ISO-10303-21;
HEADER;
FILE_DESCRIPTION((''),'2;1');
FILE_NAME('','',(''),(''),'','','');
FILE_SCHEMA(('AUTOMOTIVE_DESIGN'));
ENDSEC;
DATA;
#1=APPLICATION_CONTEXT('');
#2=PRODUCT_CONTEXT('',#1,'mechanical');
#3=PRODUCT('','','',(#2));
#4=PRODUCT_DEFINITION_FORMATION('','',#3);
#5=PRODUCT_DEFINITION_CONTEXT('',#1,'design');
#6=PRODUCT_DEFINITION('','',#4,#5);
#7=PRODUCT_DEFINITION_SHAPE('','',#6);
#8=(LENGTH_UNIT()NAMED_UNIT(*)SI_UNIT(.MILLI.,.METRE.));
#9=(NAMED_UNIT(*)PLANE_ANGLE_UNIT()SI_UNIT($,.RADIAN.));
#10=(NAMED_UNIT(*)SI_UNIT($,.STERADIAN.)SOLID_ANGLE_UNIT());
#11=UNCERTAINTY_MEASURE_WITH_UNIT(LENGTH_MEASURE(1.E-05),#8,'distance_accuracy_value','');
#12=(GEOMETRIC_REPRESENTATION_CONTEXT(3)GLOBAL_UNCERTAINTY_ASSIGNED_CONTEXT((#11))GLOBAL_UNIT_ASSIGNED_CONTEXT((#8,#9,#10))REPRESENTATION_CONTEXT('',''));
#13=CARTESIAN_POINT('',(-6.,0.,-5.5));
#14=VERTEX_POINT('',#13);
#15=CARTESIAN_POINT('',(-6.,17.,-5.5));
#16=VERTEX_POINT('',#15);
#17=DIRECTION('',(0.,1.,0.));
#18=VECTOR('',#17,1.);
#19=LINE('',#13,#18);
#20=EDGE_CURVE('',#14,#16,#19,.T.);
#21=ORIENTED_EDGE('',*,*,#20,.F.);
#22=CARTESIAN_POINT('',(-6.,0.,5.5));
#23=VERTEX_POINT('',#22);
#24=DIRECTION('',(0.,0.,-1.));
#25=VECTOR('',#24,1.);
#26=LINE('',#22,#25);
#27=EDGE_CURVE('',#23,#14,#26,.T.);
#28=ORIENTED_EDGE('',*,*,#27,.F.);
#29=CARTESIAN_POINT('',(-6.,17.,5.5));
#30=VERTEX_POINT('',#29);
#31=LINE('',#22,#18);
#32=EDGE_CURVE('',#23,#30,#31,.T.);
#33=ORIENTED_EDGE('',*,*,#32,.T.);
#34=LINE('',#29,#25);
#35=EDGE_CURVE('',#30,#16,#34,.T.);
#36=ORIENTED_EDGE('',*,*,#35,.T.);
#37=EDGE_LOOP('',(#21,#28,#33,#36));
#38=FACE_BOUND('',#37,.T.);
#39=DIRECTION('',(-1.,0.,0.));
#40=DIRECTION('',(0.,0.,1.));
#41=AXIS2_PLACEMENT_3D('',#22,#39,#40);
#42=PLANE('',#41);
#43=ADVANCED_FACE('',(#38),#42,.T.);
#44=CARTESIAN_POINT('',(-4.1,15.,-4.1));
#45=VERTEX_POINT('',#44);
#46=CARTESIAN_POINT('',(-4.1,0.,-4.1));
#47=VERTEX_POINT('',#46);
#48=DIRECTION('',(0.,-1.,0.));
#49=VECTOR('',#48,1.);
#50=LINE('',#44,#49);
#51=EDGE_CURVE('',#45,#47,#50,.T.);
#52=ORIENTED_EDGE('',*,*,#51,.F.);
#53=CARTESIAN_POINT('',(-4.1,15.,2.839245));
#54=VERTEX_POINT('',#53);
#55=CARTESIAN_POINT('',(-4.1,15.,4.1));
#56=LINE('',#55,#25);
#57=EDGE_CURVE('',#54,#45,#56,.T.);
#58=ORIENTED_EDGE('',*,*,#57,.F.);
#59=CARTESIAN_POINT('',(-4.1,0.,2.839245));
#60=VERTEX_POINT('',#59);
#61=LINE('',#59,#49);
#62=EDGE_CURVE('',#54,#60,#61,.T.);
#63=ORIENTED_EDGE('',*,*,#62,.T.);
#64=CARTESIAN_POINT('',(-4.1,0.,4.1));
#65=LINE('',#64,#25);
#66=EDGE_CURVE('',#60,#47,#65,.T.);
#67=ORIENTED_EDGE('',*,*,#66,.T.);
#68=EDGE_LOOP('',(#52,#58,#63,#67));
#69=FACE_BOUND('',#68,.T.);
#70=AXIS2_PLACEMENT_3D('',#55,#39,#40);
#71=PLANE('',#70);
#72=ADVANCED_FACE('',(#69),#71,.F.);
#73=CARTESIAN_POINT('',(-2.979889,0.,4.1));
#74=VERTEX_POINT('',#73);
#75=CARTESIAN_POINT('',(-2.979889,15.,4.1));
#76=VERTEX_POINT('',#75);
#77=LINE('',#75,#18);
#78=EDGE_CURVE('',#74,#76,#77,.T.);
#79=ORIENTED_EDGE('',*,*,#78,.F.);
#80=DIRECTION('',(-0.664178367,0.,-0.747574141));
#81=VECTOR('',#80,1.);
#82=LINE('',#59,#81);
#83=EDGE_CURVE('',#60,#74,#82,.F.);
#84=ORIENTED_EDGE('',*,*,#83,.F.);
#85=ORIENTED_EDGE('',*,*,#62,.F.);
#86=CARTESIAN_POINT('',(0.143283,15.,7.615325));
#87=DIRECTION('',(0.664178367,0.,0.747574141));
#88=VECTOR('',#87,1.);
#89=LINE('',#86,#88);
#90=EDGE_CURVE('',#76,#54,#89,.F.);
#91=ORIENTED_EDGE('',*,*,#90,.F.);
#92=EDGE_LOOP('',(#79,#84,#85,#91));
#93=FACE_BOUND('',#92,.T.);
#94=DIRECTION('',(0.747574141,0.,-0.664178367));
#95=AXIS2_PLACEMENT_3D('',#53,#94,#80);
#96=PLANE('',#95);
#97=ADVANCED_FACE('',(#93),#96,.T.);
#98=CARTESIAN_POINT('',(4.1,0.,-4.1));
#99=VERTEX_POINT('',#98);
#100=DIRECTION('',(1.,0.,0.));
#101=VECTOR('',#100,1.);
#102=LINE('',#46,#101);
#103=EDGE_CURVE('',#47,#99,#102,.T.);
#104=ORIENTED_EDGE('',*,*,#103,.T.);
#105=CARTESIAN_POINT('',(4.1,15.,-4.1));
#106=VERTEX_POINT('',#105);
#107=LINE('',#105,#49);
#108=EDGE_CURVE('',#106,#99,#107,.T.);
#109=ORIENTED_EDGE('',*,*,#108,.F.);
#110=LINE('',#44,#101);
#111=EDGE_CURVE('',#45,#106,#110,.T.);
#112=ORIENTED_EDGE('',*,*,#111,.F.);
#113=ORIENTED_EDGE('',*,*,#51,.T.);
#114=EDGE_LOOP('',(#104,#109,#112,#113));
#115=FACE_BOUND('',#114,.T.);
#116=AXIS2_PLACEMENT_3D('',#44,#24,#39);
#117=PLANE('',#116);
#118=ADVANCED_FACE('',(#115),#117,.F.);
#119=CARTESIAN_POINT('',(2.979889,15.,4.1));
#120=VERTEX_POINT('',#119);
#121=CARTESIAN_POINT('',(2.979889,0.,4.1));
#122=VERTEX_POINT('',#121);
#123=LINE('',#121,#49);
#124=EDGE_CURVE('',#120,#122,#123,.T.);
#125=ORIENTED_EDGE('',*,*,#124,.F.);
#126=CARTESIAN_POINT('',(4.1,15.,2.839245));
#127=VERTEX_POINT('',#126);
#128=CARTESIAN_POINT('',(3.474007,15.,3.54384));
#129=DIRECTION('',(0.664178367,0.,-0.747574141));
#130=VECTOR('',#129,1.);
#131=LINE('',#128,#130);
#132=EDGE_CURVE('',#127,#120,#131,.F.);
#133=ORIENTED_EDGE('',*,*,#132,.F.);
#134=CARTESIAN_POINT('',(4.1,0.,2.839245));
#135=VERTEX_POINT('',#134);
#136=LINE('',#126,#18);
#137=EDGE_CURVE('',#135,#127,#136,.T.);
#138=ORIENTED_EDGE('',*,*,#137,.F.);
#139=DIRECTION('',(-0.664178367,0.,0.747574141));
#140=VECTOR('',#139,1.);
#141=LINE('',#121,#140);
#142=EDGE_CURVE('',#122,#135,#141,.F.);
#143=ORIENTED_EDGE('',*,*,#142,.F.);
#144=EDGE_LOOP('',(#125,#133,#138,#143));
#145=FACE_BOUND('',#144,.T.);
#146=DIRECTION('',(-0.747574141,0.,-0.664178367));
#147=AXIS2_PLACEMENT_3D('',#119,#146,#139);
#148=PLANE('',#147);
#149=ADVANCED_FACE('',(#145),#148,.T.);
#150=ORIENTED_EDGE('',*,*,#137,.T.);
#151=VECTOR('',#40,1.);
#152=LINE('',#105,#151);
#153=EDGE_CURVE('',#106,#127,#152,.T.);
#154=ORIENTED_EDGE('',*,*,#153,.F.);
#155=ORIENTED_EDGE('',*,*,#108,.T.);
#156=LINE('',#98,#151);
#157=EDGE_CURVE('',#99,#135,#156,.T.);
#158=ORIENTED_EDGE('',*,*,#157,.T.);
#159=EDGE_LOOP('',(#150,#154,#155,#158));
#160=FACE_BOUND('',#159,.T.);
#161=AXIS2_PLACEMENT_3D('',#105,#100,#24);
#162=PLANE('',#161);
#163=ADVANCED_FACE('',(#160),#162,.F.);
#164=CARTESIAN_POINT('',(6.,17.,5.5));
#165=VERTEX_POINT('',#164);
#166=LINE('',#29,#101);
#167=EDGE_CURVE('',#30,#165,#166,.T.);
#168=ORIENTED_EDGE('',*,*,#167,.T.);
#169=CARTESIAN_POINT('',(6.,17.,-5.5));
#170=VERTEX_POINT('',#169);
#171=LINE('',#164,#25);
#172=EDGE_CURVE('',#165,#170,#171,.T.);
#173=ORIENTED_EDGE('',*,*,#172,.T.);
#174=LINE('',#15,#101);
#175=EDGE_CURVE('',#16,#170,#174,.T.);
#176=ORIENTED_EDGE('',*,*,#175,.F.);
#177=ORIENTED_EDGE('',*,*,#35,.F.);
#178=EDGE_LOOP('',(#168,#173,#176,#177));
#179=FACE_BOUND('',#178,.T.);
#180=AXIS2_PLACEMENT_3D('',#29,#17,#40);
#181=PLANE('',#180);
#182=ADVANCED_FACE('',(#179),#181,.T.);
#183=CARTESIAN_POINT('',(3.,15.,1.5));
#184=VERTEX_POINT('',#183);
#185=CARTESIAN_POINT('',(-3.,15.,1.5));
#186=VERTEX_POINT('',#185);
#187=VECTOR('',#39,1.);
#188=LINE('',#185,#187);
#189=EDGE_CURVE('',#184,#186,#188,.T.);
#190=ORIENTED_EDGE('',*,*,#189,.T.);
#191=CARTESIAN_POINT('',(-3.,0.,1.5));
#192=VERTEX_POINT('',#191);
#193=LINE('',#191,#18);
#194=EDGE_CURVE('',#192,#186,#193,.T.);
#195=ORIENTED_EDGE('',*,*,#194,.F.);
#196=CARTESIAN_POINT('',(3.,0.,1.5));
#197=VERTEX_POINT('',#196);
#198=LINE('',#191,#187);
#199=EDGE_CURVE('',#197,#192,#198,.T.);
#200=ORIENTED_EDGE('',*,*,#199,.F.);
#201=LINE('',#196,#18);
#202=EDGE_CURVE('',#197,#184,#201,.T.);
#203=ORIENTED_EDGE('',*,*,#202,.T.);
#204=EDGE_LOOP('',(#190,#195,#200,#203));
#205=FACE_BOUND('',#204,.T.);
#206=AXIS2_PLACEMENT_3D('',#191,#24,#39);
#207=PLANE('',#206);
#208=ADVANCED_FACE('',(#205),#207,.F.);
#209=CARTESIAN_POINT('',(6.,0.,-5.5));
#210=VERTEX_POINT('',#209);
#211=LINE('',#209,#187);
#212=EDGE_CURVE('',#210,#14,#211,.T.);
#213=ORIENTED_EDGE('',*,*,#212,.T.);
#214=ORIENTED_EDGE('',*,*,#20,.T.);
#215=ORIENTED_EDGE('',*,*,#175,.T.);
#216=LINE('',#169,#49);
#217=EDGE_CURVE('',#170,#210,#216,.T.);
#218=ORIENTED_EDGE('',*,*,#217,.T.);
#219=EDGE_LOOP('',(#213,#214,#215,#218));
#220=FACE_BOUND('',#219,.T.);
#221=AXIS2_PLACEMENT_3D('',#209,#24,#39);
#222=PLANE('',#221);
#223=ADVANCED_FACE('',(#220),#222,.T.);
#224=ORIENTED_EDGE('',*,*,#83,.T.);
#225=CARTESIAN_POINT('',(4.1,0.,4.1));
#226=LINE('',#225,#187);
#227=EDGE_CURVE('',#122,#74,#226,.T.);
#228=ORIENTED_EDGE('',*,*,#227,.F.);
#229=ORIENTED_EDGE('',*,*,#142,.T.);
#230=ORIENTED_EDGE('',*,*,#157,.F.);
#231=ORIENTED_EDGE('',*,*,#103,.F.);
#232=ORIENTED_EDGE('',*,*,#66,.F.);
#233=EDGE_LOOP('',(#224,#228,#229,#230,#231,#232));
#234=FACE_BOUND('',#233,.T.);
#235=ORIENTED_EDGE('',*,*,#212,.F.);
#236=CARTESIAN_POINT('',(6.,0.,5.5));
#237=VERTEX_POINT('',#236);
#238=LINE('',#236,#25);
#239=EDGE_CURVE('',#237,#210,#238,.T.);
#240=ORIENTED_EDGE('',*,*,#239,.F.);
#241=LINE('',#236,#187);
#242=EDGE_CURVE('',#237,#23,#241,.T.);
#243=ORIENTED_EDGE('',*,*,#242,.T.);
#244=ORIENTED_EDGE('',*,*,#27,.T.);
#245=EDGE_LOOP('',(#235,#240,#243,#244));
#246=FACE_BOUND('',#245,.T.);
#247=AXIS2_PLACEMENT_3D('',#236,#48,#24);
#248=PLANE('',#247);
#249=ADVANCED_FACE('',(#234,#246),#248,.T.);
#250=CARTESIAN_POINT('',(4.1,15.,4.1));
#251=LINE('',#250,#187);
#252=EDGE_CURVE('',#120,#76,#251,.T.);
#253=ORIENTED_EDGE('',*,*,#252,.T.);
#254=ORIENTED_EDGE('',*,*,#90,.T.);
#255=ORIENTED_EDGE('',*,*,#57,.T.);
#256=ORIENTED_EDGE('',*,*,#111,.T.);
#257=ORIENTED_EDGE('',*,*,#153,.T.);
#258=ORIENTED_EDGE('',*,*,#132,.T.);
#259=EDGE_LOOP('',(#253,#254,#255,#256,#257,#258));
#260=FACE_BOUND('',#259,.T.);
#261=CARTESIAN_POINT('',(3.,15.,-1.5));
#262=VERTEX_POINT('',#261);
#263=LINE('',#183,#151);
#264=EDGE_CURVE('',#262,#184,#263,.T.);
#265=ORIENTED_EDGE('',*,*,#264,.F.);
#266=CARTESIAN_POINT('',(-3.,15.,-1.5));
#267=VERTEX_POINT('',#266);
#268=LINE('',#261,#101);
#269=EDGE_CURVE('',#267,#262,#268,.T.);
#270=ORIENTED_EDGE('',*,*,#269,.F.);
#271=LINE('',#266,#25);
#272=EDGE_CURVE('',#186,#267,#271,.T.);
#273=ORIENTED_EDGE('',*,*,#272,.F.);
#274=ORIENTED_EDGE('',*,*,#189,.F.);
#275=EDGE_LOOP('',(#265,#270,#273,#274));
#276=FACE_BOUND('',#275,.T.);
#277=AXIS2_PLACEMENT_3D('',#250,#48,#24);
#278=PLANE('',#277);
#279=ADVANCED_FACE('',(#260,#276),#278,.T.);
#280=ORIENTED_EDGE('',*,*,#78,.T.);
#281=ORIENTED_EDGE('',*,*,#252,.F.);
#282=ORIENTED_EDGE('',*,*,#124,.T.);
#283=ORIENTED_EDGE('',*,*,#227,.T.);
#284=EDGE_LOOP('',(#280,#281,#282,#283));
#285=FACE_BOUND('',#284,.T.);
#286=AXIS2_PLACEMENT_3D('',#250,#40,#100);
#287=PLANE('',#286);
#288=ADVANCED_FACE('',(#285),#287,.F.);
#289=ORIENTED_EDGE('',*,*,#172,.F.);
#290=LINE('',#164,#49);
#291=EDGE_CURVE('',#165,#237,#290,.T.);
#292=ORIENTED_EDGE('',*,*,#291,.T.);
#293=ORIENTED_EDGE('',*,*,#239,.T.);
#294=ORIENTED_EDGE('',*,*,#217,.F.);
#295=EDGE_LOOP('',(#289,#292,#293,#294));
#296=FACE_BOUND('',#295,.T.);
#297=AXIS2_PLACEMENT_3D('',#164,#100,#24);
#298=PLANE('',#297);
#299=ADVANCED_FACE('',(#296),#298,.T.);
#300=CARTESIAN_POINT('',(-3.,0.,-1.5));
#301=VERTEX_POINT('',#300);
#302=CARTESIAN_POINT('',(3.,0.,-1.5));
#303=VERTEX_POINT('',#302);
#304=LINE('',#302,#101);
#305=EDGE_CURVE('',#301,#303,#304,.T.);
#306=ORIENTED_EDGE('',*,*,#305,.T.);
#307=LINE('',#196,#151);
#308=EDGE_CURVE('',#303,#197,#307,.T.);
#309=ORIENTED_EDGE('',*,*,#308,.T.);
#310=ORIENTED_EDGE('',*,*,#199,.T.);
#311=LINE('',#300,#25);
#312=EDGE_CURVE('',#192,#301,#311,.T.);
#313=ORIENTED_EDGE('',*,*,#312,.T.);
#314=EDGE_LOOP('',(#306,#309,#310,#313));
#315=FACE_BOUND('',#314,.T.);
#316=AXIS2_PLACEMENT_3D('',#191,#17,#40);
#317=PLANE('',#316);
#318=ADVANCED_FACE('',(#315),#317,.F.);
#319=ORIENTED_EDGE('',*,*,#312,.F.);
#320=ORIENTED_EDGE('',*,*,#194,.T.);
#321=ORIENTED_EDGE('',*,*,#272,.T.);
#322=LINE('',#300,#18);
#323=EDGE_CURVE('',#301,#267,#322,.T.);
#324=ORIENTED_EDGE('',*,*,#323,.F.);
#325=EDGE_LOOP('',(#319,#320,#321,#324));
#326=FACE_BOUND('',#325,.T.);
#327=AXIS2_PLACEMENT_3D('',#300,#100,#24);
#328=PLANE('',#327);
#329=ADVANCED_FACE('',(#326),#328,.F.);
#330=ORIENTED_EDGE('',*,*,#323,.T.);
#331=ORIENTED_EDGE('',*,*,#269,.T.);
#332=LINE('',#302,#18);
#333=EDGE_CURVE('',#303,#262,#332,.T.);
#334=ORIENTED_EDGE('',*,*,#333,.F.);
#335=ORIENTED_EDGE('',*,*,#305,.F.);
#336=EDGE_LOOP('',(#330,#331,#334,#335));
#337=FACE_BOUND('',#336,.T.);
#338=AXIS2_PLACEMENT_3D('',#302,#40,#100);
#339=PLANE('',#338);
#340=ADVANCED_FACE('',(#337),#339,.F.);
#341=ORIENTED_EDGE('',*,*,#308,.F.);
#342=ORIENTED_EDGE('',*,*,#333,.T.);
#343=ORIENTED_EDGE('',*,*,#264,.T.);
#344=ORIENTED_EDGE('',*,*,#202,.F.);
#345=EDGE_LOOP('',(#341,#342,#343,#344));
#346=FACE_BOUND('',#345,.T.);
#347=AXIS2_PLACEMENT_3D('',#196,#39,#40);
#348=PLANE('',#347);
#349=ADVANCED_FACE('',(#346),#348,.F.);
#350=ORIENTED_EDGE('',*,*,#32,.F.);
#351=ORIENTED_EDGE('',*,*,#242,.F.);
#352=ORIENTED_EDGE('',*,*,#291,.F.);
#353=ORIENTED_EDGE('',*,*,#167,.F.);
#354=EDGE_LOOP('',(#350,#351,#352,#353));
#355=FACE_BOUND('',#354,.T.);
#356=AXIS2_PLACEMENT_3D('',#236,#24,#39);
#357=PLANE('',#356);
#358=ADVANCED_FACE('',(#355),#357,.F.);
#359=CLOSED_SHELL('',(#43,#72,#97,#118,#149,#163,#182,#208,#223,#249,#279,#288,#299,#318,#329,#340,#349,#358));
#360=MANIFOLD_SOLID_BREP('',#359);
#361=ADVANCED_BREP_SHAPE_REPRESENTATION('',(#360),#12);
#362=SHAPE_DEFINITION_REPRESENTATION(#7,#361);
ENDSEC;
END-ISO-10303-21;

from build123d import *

# Parameters (mm, degrees)
SKETCH1_W           = 12
SKETCH1_H           = 17
BOSS_EXTRUDE1_DEPTH = 11
SKETCH2_W           = 8.2
SKETCH2_H           = 8.2
CUT_EXTRUDE1_DEPTH  = 15
SKETCH3_W           = 6
SKETCH3_H           = 3
BOSS_EXTRUDE2_DEPTH = 15
CHAMFER1_SIZE       = 1.120110988
CHAMFER1_SIZE2      = 1.260754717
CHAMFER2_SIZE       = 1.260754717
CHAMFER2_SIZE2      = 1.120110988


with BuildPart() as part:
    # Sketch1 → Boss-Extrude1 (new body)
    with BuildSketch(Plane(origin=(0, 0, -5.5), x_dir=(-1, 0, 0), z_dir=(0, 0, -1))):
        with Locations((0, 8.5)):
            Rectangle(SKETCH1_W, SKETCH1_H)
    extrude(amount=-BOSS_EXTRUDE1_DEPTH)

    # Sketch2 → Cut-Extrude1 (cut)
    with BuildSketch(Plane.XZ):
        Rectangle(SKETCH2_W, SKETCH2_H)
    extrude(amount=-CUT_EXTRUDE1_DEPTH, mode=Mode.SUBTRACT)

    # Sketch3 → Boss-Extrude2 (add)
    with BuildSketch(Plane.XZ.offset(-15)):
        Rectangle(SKETCH3_W, SKETCH3_H)
    extrude(amount=BOSS_EXTRUDE2_DEPTH)

    # Chamfer1
    chamfer1_edges = [part.edges().sort_by_distance(p)[0] for p in [
        (4.1, 7.5, 4.1),
    ]]
    chamfer1_side = [part.faces().sort_by_distance(p)[0] for p in [
        (0, 7.5, 4.1),
    ]]
    chamfer(chamfer1_edges, length=CHAMFER1_SIZE, length2=CHAMFER1_SIZE2, reference=chamfer1_side[0])

    # Chamfer2
    chamfer2_edges = [part.edges().sort_by_distance(p)[0] for p in [
        (-4.1, 7.5, 4.1),
    ]]
    chamfer2_side = [part.faces().sort_by_distance(p)[0] for p in [
        (-4.1, 7.5, 0),
    ]]
    chamfer(chamfer2_edges, length=CHAMFER2_SIZE, length2=CHAMFER2_SIZE2, reference=chamfer2_side[0])


solid = part.part
